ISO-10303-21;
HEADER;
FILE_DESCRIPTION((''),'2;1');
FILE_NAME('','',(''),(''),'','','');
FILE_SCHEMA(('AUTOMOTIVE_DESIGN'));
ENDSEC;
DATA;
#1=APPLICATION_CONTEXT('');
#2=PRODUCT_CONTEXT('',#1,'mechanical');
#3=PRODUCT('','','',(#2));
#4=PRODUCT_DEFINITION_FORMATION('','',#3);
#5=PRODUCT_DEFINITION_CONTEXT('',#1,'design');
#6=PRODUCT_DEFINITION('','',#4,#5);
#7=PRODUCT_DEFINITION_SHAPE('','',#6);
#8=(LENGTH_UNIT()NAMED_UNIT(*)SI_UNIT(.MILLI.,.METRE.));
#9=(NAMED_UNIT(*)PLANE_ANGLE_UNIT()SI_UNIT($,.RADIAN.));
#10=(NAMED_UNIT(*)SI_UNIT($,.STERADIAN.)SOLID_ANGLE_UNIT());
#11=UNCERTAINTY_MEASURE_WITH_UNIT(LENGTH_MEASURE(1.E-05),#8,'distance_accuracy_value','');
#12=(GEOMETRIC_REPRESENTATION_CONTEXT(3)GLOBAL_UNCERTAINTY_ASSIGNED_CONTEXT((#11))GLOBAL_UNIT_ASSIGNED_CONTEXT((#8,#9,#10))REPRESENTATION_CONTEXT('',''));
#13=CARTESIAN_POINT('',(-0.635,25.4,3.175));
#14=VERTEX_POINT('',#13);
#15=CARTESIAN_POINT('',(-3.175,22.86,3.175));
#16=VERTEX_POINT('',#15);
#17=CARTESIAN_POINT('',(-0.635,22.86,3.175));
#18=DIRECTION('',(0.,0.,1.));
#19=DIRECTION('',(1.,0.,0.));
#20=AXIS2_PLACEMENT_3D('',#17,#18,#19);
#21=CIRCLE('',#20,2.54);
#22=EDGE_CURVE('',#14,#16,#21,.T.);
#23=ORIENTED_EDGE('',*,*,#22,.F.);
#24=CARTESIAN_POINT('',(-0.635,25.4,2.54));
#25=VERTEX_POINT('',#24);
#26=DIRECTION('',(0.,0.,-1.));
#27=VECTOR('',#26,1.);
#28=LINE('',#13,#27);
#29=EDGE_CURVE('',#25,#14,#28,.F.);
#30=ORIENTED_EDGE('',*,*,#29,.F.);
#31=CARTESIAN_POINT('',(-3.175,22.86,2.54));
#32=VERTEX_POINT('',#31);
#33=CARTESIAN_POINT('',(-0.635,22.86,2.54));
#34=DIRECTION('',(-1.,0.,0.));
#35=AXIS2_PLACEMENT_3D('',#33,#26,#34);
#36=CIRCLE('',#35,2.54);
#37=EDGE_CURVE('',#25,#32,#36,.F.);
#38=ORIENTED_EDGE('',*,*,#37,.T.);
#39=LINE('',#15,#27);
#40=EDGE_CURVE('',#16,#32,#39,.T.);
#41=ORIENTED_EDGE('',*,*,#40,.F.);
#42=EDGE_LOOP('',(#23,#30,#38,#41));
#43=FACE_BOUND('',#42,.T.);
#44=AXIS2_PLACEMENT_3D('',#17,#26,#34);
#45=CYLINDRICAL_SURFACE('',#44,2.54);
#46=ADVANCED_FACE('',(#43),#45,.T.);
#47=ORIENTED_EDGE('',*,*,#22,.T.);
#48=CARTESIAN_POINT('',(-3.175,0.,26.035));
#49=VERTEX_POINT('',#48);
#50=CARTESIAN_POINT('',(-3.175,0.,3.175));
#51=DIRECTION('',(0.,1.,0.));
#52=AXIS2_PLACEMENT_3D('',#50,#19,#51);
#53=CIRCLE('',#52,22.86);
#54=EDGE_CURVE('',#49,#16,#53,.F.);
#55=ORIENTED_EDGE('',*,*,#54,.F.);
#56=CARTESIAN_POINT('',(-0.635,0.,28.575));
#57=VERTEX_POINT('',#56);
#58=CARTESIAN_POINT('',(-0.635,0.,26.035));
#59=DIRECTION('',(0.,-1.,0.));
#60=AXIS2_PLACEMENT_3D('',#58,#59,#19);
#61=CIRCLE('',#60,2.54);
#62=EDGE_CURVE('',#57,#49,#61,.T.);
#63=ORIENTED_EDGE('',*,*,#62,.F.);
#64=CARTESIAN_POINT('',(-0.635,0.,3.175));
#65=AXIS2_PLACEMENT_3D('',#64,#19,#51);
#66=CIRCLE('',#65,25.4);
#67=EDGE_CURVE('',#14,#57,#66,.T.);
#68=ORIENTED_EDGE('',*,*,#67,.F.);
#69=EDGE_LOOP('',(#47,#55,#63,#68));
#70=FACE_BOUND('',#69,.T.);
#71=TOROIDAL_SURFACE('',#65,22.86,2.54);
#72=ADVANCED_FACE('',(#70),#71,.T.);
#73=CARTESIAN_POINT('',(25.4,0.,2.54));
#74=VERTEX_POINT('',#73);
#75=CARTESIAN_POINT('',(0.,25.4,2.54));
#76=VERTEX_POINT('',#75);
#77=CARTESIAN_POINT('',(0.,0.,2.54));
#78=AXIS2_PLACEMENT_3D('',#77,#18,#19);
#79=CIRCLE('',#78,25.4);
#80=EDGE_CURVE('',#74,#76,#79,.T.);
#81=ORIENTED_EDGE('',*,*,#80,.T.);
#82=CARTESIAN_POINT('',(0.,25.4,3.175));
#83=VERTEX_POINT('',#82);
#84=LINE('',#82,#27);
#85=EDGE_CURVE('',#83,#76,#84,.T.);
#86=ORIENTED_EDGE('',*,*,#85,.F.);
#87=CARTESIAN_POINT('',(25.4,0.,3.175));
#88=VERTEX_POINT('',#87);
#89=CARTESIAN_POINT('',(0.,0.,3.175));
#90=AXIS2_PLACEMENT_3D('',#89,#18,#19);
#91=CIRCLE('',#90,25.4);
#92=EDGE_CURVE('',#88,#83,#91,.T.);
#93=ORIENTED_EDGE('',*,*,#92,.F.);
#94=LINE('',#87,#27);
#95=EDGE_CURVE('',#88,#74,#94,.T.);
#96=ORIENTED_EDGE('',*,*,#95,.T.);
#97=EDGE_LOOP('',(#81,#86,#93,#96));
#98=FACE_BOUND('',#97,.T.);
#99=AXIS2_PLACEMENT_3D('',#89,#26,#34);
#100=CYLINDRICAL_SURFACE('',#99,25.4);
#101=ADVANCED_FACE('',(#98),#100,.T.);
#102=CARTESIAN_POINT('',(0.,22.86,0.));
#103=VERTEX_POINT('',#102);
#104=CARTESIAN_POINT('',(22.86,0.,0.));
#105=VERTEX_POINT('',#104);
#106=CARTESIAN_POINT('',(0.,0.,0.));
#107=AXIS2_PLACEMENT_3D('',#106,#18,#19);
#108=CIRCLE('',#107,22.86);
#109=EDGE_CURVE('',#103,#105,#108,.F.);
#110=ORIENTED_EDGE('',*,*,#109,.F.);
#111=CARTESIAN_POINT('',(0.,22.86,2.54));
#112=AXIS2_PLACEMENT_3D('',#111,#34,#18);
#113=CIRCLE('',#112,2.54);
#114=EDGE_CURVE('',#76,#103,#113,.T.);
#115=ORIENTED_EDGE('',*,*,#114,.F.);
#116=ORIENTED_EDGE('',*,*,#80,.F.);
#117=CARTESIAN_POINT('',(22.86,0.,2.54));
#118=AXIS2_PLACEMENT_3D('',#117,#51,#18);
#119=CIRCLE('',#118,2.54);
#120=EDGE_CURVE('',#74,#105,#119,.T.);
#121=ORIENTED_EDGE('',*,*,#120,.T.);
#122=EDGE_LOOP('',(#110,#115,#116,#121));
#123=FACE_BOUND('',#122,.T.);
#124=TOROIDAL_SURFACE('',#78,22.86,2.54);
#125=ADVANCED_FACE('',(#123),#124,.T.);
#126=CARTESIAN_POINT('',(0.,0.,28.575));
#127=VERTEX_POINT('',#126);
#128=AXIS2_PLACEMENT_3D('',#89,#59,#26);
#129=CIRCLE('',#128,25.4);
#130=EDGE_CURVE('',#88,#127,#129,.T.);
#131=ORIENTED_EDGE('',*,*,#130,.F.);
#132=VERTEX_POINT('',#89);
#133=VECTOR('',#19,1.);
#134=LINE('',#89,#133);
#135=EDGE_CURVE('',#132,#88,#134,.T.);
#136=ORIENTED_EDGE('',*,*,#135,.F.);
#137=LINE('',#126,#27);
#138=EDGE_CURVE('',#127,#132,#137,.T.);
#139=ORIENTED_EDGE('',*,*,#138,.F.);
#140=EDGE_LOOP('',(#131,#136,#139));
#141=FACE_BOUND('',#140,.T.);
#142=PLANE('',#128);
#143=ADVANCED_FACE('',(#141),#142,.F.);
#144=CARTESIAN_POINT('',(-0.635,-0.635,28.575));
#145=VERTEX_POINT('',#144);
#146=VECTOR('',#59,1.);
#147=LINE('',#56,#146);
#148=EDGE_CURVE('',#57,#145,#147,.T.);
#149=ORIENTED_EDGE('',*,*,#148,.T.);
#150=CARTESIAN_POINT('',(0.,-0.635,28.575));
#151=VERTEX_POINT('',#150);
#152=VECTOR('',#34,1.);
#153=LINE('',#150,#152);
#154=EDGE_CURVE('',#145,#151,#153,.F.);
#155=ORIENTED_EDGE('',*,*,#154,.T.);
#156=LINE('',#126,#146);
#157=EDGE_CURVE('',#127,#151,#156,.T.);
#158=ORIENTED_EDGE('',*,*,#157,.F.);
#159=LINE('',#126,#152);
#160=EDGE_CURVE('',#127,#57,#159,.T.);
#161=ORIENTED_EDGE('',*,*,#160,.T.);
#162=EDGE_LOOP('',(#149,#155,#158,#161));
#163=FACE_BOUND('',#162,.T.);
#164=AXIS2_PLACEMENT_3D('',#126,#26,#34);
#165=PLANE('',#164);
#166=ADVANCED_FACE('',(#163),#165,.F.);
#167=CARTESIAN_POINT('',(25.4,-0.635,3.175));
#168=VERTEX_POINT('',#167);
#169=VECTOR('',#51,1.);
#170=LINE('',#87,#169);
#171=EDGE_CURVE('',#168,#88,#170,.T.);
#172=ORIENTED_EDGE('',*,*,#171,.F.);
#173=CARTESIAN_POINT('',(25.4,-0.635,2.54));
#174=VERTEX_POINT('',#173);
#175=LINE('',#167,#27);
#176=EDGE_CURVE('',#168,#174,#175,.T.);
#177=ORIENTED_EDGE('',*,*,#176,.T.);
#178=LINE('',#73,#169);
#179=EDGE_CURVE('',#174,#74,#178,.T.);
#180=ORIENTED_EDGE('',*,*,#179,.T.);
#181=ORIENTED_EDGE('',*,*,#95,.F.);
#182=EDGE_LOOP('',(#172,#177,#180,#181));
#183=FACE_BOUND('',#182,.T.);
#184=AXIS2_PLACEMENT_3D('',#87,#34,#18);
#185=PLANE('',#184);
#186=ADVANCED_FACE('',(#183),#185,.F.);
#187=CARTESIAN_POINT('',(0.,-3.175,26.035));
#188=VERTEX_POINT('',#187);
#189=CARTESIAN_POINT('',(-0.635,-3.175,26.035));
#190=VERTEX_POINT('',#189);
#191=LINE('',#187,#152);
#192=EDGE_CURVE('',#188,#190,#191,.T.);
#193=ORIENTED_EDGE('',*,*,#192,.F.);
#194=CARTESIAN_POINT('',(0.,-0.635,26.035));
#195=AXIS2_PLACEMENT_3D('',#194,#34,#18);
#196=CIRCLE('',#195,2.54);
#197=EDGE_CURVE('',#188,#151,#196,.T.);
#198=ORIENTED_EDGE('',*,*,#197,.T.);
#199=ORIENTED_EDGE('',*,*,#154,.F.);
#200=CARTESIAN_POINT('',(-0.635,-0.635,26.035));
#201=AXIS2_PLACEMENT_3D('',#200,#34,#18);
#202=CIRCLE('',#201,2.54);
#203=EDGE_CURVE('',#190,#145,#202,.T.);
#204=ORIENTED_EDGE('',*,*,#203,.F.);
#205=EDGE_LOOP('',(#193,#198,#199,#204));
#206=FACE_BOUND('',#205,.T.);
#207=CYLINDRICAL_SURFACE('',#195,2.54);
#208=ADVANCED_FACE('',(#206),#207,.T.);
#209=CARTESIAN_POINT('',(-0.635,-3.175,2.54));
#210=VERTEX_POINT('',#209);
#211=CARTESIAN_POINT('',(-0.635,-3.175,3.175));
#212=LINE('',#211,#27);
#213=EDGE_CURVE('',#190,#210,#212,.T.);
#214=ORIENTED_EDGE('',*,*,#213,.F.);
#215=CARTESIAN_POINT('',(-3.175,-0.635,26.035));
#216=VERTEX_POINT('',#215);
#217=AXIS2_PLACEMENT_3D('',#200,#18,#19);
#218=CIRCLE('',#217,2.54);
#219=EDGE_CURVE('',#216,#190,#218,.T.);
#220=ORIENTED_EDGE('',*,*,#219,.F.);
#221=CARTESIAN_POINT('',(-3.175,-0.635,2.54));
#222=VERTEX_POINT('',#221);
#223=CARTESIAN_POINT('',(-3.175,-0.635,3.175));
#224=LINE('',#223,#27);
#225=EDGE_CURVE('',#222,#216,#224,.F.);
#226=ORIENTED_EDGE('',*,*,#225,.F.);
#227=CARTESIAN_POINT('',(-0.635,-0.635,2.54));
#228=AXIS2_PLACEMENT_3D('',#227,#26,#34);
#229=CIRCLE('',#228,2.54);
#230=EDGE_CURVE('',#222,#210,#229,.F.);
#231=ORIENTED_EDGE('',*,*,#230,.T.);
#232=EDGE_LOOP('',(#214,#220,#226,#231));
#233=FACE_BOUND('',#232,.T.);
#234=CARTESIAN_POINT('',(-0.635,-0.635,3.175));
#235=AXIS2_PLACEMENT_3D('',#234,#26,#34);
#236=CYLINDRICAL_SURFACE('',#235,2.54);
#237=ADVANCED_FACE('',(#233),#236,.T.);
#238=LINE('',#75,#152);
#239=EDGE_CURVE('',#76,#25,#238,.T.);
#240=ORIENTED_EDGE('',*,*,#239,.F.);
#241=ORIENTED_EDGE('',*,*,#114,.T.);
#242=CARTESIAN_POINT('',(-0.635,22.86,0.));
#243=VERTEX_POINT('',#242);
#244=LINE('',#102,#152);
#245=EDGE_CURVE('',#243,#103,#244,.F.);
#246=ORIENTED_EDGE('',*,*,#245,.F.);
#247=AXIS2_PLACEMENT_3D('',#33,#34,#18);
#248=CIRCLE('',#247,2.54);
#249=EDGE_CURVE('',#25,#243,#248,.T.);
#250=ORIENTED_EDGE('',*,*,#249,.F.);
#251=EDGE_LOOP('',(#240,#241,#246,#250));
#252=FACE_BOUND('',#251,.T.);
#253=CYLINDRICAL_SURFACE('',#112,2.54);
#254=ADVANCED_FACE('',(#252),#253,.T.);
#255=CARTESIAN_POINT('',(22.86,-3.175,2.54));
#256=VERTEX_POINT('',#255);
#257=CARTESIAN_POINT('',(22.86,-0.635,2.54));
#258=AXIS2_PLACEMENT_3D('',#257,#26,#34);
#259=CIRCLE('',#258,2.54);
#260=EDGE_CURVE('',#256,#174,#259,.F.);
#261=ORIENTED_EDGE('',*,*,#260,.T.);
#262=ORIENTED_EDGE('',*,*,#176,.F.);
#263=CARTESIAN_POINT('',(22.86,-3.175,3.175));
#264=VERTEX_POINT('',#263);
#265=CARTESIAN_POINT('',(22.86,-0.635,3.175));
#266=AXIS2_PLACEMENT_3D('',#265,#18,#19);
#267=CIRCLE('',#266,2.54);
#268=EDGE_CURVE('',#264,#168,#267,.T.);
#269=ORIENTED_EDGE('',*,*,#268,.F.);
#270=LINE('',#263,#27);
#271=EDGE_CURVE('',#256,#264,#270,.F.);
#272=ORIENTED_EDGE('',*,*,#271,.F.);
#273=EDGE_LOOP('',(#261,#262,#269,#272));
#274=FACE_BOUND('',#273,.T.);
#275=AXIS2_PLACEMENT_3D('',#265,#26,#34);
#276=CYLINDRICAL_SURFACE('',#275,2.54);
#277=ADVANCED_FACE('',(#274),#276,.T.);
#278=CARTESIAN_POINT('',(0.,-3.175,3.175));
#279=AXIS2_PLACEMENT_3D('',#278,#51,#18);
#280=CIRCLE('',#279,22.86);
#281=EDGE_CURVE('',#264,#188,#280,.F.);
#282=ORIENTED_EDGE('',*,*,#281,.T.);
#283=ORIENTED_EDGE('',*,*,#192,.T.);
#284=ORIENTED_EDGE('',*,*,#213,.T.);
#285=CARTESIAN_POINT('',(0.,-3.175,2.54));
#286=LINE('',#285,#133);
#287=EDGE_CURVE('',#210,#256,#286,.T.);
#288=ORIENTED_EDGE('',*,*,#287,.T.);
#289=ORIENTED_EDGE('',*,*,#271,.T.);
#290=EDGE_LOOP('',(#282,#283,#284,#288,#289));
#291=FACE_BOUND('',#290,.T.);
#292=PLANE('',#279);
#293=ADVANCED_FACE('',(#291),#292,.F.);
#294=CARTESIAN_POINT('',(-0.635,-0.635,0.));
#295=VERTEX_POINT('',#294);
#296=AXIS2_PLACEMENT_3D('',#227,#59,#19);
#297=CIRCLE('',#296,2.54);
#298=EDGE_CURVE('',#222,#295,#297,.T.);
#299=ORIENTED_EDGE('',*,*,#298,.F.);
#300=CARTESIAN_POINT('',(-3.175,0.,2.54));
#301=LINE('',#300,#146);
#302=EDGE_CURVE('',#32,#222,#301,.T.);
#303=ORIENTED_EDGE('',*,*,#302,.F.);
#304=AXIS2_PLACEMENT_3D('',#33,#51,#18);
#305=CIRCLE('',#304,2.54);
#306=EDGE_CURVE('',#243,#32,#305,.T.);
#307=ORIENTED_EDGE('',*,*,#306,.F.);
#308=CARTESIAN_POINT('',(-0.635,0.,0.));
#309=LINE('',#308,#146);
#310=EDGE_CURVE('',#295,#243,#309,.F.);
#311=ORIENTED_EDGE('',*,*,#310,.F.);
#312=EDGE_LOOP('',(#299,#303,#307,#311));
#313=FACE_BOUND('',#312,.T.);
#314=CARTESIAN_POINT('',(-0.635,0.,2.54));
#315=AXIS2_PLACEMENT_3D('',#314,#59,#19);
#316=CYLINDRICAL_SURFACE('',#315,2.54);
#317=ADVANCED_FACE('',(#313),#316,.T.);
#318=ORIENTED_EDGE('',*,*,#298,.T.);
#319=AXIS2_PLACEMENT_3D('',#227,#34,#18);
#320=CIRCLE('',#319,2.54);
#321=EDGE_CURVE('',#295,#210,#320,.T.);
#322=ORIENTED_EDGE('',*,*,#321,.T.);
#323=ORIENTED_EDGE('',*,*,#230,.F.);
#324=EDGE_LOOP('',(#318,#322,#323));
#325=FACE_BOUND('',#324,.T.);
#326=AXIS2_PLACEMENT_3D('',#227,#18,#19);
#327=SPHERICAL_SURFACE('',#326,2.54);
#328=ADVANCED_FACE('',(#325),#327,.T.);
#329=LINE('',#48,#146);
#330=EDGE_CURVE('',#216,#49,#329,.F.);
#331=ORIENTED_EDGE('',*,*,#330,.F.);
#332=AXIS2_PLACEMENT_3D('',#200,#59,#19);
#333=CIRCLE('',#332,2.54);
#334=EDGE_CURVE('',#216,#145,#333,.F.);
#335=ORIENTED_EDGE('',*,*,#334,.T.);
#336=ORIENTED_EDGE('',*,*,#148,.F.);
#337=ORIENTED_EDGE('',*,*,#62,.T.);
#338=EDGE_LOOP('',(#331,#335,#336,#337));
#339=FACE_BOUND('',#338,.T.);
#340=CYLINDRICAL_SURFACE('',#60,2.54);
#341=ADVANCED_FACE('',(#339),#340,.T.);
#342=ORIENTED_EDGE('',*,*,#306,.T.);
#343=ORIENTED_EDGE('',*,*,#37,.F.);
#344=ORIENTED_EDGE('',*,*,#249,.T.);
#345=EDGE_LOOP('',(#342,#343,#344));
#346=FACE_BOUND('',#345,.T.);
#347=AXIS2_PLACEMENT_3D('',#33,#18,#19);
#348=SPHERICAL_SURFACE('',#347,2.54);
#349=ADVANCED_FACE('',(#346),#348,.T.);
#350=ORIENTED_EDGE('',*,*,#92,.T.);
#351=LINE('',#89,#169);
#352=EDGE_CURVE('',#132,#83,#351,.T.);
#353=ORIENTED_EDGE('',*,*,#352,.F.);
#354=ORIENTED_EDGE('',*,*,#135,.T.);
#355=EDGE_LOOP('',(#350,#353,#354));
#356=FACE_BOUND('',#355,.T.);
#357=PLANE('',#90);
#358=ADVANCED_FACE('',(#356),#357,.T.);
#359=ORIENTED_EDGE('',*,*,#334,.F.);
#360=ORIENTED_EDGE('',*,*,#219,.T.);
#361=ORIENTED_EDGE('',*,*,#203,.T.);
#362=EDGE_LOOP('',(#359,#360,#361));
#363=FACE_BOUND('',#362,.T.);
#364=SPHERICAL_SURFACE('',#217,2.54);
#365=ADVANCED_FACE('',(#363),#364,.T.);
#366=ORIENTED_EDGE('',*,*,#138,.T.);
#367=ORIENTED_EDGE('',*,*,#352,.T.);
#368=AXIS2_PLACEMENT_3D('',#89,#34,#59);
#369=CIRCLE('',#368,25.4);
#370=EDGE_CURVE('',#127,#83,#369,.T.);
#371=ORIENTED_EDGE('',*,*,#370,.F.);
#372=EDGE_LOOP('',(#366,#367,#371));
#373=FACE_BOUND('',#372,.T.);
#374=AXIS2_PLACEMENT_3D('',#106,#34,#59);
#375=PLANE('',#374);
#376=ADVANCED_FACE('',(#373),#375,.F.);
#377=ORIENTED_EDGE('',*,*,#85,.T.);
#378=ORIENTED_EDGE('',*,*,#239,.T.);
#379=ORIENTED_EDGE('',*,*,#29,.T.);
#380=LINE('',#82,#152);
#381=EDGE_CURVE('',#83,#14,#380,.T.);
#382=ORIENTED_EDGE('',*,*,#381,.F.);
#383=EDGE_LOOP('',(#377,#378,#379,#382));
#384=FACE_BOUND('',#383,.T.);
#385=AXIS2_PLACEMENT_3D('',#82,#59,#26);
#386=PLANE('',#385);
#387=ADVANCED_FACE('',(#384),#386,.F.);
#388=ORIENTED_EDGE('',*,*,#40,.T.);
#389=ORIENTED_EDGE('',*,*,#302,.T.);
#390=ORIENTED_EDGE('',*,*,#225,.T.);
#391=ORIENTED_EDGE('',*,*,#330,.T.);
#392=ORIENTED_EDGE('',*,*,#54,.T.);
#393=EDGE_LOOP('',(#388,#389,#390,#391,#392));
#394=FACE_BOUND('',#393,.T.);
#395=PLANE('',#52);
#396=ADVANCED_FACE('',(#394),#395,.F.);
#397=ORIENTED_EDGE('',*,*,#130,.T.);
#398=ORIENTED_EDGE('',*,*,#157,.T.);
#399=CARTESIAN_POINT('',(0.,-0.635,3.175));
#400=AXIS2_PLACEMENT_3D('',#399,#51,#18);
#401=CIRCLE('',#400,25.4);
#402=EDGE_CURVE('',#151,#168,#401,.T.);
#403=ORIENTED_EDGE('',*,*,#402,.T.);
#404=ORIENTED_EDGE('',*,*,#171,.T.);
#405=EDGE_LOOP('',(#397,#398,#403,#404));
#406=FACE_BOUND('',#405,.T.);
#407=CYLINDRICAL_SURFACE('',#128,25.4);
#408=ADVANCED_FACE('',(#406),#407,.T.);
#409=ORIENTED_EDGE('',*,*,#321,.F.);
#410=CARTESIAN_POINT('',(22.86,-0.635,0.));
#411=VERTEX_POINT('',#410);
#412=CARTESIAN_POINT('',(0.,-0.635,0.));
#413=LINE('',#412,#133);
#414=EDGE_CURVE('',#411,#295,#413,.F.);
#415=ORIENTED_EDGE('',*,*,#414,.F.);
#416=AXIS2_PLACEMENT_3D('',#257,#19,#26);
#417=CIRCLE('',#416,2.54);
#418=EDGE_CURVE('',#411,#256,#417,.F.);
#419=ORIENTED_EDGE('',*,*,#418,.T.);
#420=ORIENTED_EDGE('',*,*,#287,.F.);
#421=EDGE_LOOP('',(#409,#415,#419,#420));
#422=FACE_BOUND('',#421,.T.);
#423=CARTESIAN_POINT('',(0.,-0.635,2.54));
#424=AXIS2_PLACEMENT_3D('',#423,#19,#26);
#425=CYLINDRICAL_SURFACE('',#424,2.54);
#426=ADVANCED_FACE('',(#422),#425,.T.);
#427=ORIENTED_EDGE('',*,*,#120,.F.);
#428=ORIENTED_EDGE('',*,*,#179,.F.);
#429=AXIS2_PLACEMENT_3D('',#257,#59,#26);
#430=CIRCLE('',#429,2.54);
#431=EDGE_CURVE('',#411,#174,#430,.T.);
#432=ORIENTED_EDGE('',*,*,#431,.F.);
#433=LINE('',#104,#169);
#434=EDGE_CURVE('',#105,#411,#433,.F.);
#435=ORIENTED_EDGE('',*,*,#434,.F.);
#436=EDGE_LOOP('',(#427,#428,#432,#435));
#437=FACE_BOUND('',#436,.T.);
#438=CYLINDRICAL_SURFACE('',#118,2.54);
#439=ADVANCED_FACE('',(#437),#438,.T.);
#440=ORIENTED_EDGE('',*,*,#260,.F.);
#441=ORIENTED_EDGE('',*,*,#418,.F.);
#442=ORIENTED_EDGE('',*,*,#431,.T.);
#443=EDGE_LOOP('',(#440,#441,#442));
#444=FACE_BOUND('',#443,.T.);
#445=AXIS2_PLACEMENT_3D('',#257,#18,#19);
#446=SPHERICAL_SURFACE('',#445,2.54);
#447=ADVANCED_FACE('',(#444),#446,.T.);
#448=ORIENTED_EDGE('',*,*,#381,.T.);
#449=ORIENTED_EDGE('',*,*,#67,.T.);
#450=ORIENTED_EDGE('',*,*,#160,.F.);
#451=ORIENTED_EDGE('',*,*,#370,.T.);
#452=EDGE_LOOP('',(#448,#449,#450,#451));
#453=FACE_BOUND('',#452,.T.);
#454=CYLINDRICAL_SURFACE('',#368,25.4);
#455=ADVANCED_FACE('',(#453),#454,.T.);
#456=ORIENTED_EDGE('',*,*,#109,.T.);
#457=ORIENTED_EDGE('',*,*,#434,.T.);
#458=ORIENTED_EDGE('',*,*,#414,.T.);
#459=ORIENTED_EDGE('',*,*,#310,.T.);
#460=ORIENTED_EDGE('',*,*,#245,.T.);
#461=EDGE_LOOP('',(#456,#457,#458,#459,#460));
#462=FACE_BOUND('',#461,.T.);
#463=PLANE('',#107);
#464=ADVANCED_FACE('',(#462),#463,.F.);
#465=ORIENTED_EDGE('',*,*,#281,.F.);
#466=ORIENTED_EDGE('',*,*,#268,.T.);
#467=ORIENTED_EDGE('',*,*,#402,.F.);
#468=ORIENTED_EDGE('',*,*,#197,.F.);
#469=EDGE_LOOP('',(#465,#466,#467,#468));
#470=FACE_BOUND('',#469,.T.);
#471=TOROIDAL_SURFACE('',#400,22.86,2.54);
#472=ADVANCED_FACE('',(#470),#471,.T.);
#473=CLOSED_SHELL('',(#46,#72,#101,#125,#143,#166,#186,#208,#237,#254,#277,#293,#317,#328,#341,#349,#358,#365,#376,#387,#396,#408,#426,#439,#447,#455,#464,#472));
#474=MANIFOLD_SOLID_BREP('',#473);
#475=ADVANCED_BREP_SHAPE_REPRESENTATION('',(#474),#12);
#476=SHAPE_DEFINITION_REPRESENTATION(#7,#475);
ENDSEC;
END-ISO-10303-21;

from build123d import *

# Parameters (mm, degrees)
BOSS_EXTRUDE1_DEPTH = 3.175
SKETCH2_W           = 25.4
SKETCH2_H           = 3.175
BOSS_EXTRUDE2_DEPTH = 3.175
BOSS_EXTRUDE3_DEPTH = 3.175
FILLET1_R           = 2.54


with BuildPart() as part:
    # Sketch1 → Boss-Extrude1 (new body)
    with BuildSketch(Plane.XY):
        Polygon((-3.175, -3.175), (25.4, -3.175), (25.4, 0), (0, 0), (0, 25.4), (-3.175, 25.4), align=None)
        with BuildLine():
            Line((0, 0), (25.4, 0))
            ThreePointArc((25.4, 0), (17.960512242, 17.960512242), (0, 25.4))
            Line((0, 25.4), (0, 0))
        make_face()
    extrude(amount=BOSS_EXTRUDE1_DEPTH)

    # Sketch2 → Boss-Extrude2 (add)
    with BuildSketch(Plane.ZY.offset(3.175)):
        with Locations((15.875, -1.5875)):
            Rectangle(SKETCH2_W, SKETCH2_H)
        with BuildLine():
            ThreePointArc((28.575, 0), (21.135512242, 17.960512242), (3.175, 25.4))
            Line((3.175, 25.4), (3.175, 0))
            Line((3.175, 0), (28.575, 0))
        make_face()
    extrude(amount=-BOSS_EXTRUDE2_DEPTH)

    # Sketch5 → Boss-Extrude3 (add)
    with BuildSketch(Plane.XZ.offset(3.175)):
        with BuildLine():
            Line((0, 28.575), (0, 3.175))
            Line((0, 3.175), (25.4, 3.175))
            ThreePointArc((25.4, 3.175), (17.960512242, 21.135512242), (0, 28.575))
        make_face()
    extrude(amount=-BOSS_EXTRUDE3_DEPTH)

    # Fillet1
    fillet1_edges = [part.edges().sort_by_distance(p)[0] for p in [
        (25.4, -3.175, 1.5875),
        (-3.175, -3.175, 14.2875),
        (-3.175, 25.4, 1.5875),
        (-1.5875, -3.175, 28.575),
        (-3.175, -1.5875, 28.575),
        (-3.175, 17.960512242, 21.135512242),
        (17.960512242, -3.175, 21.135512242),
        (11.1125, -3.175, 0),
        (-3.175, 11.1125, 0),
        (-1.5875, 25.4, 0),
        (17.960512242, 17.960512242, 0),
        (25.4, -1.5875, 0),
    ]]
    fillet(fillet1_edges, radius=FILLET1_R)


solid = part.part
